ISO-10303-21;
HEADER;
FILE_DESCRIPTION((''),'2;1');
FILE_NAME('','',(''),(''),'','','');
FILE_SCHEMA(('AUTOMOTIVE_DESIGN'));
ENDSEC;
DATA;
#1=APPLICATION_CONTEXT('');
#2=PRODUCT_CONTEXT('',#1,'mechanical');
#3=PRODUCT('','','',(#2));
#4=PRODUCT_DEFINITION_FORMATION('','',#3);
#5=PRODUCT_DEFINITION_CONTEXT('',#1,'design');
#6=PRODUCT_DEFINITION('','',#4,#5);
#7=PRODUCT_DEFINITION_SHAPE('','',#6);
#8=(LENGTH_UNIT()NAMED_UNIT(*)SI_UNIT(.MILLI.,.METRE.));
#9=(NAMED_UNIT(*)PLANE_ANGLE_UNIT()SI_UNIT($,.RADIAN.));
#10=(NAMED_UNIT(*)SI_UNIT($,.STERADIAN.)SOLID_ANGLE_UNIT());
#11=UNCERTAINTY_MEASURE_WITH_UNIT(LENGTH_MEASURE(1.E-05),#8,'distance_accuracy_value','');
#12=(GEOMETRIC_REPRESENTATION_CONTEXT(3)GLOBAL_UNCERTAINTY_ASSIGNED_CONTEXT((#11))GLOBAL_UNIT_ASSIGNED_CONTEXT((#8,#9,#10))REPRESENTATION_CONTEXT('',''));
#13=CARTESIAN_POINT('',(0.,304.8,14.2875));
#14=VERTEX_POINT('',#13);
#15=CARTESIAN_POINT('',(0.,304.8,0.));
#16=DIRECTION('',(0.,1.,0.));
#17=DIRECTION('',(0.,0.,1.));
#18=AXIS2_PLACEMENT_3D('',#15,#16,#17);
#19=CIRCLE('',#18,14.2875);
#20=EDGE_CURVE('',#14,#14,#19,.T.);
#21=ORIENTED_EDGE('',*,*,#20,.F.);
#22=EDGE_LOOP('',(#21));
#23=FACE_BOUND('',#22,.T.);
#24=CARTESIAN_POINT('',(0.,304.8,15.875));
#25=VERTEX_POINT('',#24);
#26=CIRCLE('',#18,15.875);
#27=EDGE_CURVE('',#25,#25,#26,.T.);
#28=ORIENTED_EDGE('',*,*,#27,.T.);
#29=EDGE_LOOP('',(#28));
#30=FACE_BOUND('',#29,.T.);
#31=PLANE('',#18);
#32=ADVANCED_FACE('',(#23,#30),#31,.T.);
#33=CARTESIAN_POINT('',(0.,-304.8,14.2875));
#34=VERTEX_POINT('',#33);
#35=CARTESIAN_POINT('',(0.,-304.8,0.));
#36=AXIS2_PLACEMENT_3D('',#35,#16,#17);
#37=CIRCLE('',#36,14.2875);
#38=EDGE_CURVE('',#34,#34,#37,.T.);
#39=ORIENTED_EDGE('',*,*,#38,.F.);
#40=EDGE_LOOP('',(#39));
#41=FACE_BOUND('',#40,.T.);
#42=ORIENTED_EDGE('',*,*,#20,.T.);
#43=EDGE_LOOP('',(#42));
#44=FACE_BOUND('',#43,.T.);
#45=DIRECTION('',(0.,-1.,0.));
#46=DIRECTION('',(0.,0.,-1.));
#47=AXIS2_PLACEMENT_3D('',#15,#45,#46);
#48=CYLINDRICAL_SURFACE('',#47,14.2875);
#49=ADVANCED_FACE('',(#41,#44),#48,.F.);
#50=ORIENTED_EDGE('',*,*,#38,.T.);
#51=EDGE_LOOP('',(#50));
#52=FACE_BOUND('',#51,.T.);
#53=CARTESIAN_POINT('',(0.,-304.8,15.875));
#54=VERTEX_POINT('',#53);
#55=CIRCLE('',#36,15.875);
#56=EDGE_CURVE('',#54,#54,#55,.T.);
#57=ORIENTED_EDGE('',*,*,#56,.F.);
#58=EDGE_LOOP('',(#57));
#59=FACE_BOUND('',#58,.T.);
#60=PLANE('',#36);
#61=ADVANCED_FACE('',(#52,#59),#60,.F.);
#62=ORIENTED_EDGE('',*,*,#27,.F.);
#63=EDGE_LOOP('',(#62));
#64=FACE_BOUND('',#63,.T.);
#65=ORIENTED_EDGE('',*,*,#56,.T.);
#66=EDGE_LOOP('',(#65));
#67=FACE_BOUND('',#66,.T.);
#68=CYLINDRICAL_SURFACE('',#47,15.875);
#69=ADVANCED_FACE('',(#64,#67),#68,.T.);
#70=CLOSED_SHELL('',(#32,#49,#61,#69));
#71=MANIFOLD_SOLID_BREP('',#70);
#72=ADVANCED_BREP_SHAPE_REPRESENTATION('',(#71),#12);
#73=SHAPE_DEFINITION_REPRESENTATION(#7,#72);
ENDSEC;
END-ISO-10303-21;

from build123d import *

# Parameters (mm, degrees)
SKETCH1_R           = 15.875
SKETCH1_R_2         = 14.2875
BOSS_EXTRUDE1_DEPTH = 304.8


with BuildPart() as part:
    # Sketch1 → Boss-Extrude1 (new body, symmetric)
    with BuildSketch(Plane(origin=(0, 0, 0), x_dir=(1, 0, 0), z_dir=(0, 1, 0))):
        Circle(SKETCH1_R)
        Circle(SKETCH1_R_2, mode=Mode.SUBTRACT)
    extrude(amount=BOSS_EXTRUDE1_DEPTH, both=True)


solid = part.part
